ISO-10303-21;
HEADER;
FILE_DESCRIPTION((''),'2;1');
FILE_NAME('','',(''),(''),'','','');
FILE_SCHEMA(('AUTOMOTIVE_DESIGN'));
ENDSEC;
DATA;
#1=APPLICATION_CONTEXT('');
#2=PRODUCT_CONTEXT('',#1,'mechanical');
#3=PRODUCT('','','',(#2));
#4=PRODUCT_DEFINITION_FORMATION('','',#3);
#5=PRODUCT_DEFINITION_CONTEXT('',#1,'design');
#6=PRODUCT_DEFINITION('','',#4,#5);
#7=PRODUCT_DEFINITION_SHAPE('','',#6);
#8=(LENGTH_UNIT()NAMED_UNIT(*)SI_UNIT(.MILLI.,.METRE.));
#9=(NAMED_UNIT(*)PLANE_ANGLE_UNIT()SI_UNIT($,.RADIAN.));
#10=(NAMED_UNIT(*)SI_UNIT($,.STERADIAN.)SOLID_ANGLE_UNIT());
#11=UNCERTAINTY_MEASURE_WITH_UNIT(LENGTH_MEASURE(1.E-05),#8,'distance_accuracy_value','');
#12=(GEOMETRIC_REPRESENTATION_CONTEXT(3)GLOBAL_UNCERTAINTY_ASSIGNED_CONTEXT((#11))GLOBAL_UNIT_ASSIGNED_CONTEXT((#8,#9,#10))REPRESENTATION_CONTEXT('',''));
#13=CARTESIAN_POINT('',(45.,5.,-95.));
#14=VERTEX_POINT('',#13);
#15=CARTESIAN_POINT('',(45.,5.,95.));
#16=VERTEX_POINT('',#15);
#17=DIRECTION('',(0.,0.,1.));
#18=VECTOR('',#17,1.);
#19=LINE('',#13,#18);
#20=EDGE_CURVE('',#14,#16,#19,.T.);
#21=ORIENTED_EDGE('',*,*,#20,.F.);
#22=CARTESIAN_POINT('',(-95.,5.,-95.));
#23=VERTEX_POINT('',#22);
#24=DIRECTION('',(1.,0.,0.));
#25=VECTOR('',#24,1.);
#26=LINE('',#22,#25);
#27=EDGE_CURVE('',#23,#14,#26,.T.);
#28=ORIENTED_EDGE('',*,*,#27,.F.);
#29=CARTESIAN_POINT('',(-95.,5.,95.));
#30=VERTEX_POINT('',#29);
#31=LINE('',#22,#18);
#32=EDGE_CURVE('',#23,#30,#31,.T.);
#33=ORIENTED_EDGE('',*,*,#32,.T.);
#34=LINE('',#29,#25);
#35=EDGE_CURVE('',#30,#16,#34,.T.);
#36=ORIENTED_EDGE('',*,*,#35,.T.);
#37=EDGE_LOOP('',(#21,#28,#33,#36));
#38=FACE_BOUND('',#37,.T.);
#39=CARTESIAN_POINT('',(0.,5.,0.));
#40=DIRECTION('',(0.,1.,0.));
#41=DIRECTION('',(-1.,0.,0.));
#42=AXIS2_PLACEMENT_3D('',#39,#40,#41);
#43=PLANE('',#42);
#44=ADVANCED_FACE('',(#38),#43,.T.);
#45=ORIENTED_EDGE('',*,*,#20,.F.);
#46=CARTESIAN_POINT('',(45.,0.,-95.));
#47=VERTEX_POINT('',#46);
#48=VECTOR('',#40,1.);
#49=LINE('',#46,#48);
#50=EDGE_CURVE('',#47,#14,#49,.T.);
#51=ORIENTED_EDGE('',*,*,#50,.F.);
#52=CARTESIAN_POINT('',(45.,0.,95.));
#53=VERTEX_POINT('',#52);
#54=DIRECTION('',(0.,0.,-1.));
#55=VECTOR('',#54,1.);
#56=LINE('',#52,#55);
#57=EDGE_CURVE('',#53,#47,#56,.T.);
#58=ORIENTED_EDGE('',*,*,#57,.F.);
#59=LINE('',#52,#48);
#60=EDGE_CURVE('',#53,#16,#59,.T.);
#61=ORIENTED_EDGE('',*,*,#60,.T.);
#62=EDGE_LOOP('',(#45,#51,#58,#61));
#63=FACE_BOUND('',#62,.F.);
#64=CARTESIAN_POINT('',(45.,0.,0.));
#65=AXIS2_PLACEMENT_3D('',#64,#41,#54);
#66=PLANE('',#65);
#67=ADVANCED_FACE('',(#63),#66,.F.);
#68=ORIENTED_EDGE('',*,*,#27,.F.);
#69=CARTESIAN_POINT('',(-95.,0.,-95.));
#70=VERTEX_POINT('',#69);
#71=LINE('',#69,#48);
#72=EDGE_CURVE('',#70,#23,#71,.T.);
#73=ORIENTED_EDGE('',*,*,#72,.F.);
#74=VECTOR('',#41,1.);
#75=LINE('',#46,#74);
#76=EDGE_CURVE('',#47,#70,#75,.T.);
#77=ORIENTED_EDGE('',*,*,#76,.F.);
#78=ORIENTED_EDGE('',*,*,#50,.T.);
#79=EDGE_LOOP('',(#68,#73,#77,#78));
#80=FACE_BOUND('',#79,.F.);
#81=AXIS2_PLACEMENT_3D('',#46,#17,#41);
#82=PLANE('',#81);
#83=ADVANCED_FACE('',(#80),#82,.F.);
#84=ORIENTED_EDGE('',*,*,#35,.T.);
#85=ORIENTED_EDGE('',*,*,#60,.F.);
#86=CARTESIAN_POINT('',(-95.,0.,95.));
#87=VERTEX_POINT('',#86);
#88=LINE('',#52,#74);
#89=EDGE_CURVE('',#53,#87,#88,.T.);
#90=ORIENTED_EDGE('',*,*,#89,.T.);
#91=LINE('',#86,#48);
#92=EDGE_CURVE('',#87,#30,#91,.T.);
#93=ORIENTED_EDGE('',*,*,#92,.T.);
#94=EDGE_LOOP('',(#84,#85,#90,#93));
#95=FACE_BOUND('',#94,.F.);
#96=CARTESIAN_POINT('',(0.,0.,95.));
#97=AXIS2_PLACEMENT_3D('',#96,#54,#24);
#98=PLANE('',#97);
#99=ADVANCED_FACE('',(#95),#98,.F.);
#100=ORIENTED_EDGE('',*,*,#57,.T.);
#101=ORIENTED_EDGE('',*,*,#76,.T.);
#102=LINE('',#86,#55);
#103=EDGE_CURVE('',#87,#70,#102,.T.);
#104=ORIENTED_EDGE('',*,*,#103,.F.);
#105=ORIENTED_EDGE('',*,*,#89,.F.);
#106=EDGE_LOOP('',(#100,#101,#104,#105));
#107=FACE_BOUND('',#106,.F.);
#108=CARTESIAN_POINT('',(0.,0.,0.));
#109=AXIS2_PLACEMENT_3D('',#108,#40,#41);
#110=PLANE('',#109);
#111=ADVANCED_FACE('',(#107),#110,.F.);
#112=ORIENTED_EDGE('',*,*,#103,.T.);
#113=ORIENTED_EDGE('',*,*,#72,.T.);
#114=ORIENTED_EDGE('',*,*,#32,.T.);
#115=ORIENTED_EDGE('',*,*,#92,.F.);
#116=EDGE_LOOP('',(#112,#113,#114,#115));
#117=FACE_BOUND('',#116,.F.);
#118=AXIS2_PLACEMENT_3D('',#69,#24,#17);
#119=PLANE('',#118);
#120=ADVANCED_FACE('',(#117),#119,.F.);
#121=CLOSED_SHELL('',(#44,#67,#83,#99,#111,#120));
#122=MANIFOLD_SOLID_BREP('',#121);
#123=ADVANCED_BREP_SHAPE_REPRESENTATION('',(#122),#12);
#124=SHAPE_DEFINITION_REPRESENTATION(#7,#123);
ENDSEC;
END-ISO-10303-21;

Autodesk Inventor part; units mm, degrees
ref_plane "YZ Plane" through (0, 0, 0) normal (1, 0, 0) x (0, 1, 0)
ref_plane "XZ Plane" through (0, 0, 0) normal (0, 1, 0) x (-1, 0, 0)
ref_plane "XY Plane" through (0, 0, 0) normal (0, 0, 1) x (1, 0, 0)
sketch "Sketch1" plane through (0, 0, 0) normal (0, 1, 0) x (-1, 0, 0)
  line L0 (0, -133) -> (0, 133)
  line L1 (-73, 0) -> (123, 0)
  line L2 (95, 95) -> (-45, 95)
  line L3 (-45, 95) -> (-45, -95)
  line L4 (-45, -95) -> (95, -95)
  line L5 (95, -95) -> (95, 95)
  point P0 (0, 0)
  dimension "d0" = 190
  dimension "d1" = 140
  dimension "d2" = 95
extrude "Plate1" add sketch "Sketch1" along normal blind 5
equation "\"d3\" = Thickness"
equation "\"BendRadius\" = Thickness"
equation "\"BendReliefWidth\" = Thickness"
equation "\"BendReliefDepth\" = 0.5 * Thickness"
equation "\"TransitionRadius\" = BendRadius"
equation "\"JacobiRadiusSize\" = BendRadius"
equation "\"GapSize\" = Thickness"
equation "\"Thickness\" = 5"
properties part number "BOTTOM_CETIN_PART_BOX" material "PVC, Unplasticized"
